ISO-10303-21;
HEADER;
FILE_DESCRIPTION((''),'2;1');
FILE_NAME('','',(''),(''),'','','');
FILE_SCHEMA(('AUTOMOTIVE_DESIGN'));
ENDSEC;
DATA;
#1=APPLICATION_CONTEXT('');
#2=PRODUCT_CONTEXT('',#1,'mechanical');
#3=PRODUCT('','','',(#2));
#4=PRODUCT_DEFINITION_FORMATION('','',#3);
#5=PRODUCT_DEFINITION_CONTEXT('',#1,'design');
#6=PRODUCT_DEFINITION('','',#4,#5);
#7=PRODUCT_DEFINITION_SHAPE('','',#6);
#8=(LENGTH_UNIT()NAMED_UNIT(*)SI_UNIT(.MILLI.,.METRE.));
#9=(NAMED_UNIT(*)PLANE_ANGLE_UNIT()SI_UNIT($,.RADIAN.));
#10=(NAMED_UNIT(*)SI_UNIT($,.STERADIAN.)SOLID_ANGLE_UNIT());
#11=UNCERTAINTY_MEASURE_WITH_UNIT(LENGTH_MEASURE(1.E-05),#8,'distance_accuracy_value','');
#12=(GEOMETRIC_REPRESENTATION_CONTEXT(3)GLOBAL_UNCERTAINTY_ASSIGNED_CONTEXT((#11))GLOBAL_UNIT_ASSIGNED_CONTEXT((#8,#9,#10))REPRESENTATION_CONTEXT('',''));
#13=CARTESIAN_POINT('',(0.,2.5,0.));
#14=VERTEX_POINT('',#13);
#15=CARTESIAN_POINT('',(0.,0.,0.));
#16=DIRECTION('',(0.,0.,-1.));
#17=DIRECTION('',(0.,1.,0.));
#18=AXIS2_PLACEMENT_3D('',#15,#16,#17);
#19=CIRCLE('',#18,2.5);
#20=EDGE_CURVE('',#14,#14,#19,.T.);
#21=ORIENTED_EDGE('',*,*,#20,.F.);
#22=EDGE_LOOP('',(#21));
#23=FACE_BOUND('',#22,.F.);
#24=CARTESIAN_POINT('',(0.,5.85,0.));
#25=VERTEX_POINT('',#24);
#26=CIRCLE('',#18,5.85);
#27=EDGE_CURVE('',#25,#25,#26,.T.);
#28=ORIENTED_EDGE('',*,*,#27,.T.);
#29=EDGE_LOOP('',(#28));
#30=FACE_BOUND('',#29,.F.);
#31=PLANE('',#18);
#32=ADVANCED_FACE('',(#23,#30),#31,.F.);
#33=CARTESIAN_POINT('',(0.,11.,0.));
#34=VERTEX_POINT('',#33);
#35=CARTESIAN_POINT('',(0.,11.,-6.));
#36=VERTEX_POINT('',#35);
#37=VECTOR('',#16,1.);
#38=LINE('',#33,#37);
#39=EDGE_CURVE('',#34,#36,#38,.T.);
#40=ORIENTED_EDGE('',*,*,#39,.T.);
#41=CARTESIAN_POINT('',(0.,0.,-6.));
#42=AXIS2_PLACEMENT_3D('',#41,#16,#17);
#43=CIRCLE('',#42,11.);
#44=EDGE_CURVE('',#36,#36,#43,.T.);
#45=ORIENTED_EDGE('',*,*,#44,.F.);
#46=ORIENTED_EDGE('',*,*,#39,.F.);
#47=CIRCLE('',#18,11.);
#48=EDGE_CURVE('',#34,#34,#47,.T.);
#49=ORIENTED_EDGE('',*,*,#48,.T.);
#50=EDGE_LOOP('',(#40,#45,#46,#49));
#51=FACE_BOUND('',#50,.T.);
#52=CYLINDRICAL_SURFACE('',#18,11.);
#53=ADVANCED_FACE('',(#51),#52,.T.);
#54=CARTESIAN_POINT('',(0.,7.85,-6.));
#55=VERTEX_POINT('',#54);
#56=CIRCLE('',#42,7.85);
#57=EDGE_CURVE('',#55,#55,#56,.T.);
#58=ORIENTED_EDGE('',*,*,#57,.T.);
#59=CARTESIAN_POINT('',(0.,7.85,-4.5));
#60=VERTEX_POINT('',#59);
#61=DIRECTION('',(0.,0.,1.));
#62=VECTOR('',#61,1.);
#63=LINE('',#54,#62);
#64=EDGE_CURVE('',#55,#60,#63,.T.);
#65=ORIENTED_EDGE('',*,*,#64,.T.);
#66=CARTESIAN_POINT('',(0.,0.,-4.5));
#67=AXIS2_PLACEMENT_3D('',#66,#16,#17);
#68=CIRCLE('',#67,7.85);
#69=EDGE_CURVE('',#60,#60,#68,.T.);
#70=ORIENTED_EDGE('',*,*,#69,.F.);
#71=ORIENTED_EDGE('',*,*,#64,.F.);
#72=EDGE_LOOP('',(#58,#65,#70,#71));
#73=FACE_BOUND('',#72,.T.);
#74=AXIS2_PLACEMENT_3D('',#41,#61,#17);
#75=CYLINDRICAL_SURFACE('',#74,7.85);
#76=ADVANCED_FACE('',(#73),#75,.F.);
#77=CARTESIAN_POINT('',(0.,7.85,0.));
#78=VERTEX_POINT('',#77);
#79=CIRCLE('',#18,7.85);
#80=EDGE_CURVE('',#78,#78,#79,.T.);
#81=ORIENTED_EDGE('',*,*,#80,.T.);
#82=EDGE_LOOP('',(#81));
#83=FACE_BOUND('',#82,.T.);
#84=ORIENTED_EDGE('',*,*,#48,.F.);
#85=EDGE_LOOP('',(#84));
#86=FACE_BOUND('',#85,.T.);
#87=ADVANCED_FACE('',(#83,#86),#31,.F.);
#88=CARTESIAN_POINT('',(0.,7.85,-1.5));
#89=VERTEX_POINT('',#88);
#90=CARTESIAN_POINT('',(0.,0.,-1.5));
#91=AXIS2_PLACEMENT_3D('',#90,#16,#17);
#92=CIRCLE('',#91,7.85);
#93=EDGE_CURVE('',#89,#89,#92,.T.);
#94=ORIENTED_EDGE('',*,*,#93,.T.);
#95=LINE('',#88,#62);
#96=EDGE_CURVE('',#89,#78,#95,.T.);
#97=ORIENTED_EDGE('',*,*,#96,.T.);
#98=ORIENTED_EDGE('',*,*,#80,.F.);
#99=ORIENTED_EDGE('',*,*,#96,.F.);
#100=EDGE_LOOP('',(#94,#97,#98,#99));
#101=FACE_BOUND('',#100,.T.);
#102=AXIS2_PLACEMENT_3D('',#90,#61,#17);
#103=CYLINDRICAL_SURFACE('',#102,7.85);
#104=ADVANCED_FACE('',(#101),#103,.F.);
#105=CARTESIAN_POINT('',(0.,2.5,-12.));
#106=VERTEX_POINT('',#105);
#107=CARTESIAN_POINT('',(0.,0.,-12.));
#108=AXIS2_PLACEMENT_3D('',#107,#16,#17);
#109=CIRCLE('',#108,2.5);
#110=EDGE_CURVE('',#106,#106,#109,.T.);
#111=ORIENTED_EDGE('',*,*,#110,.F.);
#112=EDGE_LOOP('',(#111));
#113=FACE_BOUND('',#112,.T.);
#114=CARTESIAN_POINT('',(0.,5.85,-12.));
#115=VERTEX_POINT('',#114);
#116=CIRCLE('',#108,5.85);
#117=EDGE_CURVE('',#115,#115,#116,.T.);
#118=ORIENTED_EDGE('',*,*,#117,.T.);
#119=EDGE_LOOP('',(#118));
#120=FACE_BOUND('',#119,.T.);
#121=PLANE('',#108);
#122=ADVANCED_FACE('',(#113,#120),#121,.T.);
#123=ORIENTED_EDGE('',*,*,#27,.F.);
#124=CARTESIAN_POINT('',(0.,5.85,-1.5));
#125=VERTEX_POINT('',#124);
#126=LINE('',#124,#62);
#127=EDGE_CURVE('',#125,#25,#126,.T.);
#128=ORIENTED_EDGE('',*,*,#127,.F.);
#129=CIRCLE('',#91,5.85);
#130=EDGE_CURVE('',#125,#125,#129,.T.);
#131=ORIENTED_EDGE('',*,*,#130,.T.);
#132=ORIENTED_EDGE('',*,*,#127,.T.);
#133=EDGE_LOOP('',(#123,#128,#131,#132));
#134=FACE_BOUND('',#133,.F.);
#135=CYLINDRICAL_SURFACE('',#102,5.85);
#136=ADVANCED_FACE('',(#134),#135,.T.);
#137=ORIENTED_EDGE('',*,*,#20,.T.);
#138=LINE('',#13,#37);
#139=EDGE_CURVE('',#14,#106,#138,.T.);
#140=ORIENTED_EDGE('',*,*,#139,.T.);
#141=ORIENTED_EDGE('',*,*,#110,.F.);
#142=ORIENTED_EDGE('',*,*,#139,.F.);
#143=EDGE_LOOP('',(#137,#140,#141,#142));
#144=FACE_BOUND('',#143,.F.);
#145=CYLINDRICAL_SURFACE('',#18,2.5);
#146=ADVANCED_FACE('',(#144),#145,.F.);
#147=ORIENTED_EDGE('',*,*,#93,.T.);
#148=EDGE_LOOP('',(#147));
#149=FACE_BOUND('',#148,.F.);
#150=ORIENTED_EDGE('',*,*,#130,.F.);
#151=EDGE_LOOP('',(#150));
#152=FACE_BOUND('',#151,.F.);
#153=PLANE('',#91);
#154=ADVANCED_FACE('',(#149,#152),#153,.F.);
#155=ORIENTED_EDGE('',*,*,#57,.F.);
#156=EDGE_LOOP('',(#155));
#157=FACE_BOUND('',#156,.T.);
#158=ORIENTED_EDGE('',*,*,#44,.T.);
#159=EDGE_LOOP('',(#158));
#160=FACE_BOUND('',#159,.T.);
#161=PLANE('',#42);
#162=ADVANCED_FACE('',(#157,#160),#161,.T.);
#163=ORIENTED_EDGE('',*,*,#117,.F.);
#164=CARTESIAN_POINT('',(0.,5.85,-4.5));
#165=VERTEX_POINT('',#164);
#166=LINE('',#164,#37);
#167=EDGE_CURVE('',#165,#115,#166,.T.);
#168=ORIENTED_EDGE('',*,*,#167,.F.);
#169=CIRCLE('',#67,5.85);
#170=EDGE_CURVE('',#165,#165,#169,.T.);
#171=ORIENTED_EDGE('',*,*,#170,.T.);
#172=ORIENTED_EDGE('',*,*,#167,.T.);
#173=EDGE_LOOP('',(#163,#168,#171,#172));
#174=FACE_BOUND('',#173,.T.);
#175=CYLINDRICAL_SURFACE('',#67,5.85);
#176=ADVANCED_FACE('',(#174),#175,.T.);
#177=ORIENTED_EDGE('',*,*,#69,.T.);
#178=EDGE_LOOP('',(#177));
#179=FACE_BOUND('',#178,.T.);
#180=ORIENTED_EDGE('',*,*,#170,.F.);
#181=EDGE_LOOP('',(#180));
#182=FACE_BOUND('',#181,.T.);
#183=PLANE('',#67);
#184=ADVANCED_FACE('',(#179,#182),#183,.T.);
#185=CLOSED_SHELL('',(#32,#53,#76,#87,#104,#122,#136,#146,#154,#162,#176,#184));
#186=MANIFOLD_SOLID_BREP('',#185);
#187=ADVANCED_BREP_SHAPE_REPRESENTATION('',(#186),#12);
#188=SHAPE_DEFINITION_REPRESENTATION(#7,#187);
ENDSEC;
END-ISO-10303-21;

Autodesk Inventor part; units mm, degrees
ref_plane "YZ Plane" through (0, 0, 0) normal (1, 0, 0) x (0, 1, 0)
ref_plane "XZ Plane" through (0, 0, 0) normal (0, 1, 0) x (-1, 0, 0)
ref_plane "XY Plane" through (0, 0, 0) normal (0, 0, 1) x (1, 0, 0)
sketch "Esquisse1" plane through (0, 0, 0) normal (1, 0, 0) x (0, 1, 0)
  line L0 (0, 21.0755) -> (0, -24.2543)
  line L1 (7.85, -1.5) -> (7.85, 0)
  line L2 (7.85, 0) -> (11, 0)
  line L3 (11, 0) -> (11, -6)
  line L4 (11, -6) -> (7.85, -6)
  line L5 (7.85, -6) -> (7.85, -4.5)
  line L6 (7.85, -4.5) -> (5.85, -4.5)
  line L7 (5.85, -4.5) -> (5.85, -12)
  line L8 (5.85, -12) -> (2.5, -12)
  line L9 (7.85, -1.5) -> (5.85, -1.5)
  line L10 (5.85, -1.5) -> (5.85, 0)
  line L11 (5.85, 0) -> (2.5, 0)
  line L12 (2.5, 0) -> (2.5, -12)
  line L13 (6.85, -1.5) -> (6.85, -4.5) construction
  line L14 (6.85, -3) -> (11, -3) construction
  point P0 (0, 0)
  point P1 (7.85, -5.25)
  dimension "d0" = 11.7
  dimension "d1" = 5
  dimension "d2" = 12
  dimension "d3" = 6
  dimension "d4" = 22
  dimension "d5" = 2
  dimension "d6" = 3
revolve "Révolution1" add sketch "Esquisse1" angle 360 about axis through (0, 0, 21.0755) along (0, 0, -1)
properties part number "engrenage_simplifie"
